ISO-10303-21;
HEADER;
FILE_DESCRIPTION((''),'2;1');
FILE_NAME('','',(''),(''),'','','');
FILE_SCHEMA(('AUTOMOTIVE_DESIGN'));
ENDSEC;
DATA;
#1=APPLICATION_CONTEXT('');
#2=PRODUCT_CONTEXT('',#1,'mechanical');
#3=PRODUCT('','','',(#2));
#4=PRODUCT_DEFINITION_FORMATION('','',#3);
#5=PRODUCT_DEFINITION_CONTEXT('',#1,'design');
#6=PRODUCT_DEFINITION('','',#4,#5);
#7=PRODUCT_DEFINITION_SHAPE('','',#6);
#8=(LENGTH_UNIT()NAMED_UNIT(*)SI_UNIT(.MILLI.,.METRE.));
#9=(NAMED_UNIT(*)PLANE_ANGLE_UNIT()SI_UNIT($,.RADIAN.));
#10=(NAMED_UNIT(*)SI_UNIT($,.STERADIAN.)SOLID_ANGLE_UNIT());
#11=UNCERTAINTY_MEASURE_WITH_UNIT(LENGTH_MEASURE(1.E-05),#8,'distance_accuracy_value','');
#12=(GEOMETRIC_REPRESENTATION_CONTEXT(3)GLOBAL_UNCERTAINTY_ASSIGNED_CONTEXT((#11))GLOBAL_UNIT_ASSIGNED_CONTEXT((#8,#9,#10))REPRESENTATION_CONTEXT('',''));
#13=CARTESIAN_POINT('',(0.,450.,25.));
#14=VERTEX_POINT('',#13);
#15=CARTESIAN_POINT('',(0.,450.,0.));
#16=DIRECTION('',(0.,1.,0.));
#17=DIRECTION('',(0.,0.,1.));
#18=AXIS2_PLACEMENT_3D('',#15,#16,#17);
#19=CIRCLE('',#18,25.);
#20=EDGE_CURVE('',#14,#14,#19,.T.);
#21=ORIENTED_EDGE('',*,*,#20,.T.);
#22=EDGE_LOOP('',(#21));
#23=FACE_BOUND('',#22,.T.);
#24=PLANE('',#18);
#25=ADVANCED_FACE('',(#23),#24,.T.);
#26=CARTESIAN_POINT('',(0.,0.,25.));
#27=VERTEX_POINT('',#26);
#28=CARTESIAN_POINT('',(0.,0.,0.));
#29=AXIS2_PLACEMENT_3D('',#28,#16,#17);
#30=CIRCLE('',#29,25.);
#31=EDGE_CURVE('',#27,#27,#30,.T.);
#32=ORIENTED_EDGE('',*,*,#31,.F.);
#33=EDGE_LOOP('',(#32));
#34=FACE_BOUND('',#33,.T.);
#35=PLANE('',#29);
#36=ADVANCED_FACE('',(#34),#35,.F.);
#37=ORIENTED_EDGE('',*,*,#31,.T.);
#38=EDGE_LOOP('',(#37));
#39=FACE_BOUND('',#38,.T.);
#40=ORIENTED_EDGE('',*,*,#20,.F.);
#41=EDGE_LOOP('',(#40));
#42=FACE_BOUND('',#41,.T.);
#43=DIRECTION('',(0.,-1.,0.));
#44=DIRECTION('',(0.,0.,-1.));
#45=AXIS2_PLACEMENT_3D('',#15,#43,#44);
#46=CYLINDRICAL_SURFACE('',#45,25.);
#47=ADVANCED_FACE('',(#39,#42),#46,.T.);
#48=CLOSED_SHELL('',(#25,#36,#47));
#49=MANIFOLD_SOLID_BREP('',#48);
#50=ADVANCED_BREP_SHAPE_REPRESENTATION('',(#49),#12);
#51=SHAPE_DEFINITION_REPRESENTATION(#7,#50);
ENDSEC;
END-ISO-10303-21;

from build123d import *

# Parameters (mm, degrees)
IZIM1_R                     = 25
Y_KSEKLIK_EKSTR_ZYON1_DEPTH = 450


with BuildPart() as part:
    # Çizim1 → Yükseklik-Ekstrüzyon1 (new body)
    with BuildSketch(Plane(origin=(0, 0, 0), x_dir=(1, 0, 0), z_dir=(0, 1, 0))):
        with Locations(Location((0, 0, 0), (0, 0, 270))):
            Circle(IZIM1_R)
    extrude(amount=Y_KSEKLIK_EKSTR_ZYON1_DEPTH)


solid = part.part
